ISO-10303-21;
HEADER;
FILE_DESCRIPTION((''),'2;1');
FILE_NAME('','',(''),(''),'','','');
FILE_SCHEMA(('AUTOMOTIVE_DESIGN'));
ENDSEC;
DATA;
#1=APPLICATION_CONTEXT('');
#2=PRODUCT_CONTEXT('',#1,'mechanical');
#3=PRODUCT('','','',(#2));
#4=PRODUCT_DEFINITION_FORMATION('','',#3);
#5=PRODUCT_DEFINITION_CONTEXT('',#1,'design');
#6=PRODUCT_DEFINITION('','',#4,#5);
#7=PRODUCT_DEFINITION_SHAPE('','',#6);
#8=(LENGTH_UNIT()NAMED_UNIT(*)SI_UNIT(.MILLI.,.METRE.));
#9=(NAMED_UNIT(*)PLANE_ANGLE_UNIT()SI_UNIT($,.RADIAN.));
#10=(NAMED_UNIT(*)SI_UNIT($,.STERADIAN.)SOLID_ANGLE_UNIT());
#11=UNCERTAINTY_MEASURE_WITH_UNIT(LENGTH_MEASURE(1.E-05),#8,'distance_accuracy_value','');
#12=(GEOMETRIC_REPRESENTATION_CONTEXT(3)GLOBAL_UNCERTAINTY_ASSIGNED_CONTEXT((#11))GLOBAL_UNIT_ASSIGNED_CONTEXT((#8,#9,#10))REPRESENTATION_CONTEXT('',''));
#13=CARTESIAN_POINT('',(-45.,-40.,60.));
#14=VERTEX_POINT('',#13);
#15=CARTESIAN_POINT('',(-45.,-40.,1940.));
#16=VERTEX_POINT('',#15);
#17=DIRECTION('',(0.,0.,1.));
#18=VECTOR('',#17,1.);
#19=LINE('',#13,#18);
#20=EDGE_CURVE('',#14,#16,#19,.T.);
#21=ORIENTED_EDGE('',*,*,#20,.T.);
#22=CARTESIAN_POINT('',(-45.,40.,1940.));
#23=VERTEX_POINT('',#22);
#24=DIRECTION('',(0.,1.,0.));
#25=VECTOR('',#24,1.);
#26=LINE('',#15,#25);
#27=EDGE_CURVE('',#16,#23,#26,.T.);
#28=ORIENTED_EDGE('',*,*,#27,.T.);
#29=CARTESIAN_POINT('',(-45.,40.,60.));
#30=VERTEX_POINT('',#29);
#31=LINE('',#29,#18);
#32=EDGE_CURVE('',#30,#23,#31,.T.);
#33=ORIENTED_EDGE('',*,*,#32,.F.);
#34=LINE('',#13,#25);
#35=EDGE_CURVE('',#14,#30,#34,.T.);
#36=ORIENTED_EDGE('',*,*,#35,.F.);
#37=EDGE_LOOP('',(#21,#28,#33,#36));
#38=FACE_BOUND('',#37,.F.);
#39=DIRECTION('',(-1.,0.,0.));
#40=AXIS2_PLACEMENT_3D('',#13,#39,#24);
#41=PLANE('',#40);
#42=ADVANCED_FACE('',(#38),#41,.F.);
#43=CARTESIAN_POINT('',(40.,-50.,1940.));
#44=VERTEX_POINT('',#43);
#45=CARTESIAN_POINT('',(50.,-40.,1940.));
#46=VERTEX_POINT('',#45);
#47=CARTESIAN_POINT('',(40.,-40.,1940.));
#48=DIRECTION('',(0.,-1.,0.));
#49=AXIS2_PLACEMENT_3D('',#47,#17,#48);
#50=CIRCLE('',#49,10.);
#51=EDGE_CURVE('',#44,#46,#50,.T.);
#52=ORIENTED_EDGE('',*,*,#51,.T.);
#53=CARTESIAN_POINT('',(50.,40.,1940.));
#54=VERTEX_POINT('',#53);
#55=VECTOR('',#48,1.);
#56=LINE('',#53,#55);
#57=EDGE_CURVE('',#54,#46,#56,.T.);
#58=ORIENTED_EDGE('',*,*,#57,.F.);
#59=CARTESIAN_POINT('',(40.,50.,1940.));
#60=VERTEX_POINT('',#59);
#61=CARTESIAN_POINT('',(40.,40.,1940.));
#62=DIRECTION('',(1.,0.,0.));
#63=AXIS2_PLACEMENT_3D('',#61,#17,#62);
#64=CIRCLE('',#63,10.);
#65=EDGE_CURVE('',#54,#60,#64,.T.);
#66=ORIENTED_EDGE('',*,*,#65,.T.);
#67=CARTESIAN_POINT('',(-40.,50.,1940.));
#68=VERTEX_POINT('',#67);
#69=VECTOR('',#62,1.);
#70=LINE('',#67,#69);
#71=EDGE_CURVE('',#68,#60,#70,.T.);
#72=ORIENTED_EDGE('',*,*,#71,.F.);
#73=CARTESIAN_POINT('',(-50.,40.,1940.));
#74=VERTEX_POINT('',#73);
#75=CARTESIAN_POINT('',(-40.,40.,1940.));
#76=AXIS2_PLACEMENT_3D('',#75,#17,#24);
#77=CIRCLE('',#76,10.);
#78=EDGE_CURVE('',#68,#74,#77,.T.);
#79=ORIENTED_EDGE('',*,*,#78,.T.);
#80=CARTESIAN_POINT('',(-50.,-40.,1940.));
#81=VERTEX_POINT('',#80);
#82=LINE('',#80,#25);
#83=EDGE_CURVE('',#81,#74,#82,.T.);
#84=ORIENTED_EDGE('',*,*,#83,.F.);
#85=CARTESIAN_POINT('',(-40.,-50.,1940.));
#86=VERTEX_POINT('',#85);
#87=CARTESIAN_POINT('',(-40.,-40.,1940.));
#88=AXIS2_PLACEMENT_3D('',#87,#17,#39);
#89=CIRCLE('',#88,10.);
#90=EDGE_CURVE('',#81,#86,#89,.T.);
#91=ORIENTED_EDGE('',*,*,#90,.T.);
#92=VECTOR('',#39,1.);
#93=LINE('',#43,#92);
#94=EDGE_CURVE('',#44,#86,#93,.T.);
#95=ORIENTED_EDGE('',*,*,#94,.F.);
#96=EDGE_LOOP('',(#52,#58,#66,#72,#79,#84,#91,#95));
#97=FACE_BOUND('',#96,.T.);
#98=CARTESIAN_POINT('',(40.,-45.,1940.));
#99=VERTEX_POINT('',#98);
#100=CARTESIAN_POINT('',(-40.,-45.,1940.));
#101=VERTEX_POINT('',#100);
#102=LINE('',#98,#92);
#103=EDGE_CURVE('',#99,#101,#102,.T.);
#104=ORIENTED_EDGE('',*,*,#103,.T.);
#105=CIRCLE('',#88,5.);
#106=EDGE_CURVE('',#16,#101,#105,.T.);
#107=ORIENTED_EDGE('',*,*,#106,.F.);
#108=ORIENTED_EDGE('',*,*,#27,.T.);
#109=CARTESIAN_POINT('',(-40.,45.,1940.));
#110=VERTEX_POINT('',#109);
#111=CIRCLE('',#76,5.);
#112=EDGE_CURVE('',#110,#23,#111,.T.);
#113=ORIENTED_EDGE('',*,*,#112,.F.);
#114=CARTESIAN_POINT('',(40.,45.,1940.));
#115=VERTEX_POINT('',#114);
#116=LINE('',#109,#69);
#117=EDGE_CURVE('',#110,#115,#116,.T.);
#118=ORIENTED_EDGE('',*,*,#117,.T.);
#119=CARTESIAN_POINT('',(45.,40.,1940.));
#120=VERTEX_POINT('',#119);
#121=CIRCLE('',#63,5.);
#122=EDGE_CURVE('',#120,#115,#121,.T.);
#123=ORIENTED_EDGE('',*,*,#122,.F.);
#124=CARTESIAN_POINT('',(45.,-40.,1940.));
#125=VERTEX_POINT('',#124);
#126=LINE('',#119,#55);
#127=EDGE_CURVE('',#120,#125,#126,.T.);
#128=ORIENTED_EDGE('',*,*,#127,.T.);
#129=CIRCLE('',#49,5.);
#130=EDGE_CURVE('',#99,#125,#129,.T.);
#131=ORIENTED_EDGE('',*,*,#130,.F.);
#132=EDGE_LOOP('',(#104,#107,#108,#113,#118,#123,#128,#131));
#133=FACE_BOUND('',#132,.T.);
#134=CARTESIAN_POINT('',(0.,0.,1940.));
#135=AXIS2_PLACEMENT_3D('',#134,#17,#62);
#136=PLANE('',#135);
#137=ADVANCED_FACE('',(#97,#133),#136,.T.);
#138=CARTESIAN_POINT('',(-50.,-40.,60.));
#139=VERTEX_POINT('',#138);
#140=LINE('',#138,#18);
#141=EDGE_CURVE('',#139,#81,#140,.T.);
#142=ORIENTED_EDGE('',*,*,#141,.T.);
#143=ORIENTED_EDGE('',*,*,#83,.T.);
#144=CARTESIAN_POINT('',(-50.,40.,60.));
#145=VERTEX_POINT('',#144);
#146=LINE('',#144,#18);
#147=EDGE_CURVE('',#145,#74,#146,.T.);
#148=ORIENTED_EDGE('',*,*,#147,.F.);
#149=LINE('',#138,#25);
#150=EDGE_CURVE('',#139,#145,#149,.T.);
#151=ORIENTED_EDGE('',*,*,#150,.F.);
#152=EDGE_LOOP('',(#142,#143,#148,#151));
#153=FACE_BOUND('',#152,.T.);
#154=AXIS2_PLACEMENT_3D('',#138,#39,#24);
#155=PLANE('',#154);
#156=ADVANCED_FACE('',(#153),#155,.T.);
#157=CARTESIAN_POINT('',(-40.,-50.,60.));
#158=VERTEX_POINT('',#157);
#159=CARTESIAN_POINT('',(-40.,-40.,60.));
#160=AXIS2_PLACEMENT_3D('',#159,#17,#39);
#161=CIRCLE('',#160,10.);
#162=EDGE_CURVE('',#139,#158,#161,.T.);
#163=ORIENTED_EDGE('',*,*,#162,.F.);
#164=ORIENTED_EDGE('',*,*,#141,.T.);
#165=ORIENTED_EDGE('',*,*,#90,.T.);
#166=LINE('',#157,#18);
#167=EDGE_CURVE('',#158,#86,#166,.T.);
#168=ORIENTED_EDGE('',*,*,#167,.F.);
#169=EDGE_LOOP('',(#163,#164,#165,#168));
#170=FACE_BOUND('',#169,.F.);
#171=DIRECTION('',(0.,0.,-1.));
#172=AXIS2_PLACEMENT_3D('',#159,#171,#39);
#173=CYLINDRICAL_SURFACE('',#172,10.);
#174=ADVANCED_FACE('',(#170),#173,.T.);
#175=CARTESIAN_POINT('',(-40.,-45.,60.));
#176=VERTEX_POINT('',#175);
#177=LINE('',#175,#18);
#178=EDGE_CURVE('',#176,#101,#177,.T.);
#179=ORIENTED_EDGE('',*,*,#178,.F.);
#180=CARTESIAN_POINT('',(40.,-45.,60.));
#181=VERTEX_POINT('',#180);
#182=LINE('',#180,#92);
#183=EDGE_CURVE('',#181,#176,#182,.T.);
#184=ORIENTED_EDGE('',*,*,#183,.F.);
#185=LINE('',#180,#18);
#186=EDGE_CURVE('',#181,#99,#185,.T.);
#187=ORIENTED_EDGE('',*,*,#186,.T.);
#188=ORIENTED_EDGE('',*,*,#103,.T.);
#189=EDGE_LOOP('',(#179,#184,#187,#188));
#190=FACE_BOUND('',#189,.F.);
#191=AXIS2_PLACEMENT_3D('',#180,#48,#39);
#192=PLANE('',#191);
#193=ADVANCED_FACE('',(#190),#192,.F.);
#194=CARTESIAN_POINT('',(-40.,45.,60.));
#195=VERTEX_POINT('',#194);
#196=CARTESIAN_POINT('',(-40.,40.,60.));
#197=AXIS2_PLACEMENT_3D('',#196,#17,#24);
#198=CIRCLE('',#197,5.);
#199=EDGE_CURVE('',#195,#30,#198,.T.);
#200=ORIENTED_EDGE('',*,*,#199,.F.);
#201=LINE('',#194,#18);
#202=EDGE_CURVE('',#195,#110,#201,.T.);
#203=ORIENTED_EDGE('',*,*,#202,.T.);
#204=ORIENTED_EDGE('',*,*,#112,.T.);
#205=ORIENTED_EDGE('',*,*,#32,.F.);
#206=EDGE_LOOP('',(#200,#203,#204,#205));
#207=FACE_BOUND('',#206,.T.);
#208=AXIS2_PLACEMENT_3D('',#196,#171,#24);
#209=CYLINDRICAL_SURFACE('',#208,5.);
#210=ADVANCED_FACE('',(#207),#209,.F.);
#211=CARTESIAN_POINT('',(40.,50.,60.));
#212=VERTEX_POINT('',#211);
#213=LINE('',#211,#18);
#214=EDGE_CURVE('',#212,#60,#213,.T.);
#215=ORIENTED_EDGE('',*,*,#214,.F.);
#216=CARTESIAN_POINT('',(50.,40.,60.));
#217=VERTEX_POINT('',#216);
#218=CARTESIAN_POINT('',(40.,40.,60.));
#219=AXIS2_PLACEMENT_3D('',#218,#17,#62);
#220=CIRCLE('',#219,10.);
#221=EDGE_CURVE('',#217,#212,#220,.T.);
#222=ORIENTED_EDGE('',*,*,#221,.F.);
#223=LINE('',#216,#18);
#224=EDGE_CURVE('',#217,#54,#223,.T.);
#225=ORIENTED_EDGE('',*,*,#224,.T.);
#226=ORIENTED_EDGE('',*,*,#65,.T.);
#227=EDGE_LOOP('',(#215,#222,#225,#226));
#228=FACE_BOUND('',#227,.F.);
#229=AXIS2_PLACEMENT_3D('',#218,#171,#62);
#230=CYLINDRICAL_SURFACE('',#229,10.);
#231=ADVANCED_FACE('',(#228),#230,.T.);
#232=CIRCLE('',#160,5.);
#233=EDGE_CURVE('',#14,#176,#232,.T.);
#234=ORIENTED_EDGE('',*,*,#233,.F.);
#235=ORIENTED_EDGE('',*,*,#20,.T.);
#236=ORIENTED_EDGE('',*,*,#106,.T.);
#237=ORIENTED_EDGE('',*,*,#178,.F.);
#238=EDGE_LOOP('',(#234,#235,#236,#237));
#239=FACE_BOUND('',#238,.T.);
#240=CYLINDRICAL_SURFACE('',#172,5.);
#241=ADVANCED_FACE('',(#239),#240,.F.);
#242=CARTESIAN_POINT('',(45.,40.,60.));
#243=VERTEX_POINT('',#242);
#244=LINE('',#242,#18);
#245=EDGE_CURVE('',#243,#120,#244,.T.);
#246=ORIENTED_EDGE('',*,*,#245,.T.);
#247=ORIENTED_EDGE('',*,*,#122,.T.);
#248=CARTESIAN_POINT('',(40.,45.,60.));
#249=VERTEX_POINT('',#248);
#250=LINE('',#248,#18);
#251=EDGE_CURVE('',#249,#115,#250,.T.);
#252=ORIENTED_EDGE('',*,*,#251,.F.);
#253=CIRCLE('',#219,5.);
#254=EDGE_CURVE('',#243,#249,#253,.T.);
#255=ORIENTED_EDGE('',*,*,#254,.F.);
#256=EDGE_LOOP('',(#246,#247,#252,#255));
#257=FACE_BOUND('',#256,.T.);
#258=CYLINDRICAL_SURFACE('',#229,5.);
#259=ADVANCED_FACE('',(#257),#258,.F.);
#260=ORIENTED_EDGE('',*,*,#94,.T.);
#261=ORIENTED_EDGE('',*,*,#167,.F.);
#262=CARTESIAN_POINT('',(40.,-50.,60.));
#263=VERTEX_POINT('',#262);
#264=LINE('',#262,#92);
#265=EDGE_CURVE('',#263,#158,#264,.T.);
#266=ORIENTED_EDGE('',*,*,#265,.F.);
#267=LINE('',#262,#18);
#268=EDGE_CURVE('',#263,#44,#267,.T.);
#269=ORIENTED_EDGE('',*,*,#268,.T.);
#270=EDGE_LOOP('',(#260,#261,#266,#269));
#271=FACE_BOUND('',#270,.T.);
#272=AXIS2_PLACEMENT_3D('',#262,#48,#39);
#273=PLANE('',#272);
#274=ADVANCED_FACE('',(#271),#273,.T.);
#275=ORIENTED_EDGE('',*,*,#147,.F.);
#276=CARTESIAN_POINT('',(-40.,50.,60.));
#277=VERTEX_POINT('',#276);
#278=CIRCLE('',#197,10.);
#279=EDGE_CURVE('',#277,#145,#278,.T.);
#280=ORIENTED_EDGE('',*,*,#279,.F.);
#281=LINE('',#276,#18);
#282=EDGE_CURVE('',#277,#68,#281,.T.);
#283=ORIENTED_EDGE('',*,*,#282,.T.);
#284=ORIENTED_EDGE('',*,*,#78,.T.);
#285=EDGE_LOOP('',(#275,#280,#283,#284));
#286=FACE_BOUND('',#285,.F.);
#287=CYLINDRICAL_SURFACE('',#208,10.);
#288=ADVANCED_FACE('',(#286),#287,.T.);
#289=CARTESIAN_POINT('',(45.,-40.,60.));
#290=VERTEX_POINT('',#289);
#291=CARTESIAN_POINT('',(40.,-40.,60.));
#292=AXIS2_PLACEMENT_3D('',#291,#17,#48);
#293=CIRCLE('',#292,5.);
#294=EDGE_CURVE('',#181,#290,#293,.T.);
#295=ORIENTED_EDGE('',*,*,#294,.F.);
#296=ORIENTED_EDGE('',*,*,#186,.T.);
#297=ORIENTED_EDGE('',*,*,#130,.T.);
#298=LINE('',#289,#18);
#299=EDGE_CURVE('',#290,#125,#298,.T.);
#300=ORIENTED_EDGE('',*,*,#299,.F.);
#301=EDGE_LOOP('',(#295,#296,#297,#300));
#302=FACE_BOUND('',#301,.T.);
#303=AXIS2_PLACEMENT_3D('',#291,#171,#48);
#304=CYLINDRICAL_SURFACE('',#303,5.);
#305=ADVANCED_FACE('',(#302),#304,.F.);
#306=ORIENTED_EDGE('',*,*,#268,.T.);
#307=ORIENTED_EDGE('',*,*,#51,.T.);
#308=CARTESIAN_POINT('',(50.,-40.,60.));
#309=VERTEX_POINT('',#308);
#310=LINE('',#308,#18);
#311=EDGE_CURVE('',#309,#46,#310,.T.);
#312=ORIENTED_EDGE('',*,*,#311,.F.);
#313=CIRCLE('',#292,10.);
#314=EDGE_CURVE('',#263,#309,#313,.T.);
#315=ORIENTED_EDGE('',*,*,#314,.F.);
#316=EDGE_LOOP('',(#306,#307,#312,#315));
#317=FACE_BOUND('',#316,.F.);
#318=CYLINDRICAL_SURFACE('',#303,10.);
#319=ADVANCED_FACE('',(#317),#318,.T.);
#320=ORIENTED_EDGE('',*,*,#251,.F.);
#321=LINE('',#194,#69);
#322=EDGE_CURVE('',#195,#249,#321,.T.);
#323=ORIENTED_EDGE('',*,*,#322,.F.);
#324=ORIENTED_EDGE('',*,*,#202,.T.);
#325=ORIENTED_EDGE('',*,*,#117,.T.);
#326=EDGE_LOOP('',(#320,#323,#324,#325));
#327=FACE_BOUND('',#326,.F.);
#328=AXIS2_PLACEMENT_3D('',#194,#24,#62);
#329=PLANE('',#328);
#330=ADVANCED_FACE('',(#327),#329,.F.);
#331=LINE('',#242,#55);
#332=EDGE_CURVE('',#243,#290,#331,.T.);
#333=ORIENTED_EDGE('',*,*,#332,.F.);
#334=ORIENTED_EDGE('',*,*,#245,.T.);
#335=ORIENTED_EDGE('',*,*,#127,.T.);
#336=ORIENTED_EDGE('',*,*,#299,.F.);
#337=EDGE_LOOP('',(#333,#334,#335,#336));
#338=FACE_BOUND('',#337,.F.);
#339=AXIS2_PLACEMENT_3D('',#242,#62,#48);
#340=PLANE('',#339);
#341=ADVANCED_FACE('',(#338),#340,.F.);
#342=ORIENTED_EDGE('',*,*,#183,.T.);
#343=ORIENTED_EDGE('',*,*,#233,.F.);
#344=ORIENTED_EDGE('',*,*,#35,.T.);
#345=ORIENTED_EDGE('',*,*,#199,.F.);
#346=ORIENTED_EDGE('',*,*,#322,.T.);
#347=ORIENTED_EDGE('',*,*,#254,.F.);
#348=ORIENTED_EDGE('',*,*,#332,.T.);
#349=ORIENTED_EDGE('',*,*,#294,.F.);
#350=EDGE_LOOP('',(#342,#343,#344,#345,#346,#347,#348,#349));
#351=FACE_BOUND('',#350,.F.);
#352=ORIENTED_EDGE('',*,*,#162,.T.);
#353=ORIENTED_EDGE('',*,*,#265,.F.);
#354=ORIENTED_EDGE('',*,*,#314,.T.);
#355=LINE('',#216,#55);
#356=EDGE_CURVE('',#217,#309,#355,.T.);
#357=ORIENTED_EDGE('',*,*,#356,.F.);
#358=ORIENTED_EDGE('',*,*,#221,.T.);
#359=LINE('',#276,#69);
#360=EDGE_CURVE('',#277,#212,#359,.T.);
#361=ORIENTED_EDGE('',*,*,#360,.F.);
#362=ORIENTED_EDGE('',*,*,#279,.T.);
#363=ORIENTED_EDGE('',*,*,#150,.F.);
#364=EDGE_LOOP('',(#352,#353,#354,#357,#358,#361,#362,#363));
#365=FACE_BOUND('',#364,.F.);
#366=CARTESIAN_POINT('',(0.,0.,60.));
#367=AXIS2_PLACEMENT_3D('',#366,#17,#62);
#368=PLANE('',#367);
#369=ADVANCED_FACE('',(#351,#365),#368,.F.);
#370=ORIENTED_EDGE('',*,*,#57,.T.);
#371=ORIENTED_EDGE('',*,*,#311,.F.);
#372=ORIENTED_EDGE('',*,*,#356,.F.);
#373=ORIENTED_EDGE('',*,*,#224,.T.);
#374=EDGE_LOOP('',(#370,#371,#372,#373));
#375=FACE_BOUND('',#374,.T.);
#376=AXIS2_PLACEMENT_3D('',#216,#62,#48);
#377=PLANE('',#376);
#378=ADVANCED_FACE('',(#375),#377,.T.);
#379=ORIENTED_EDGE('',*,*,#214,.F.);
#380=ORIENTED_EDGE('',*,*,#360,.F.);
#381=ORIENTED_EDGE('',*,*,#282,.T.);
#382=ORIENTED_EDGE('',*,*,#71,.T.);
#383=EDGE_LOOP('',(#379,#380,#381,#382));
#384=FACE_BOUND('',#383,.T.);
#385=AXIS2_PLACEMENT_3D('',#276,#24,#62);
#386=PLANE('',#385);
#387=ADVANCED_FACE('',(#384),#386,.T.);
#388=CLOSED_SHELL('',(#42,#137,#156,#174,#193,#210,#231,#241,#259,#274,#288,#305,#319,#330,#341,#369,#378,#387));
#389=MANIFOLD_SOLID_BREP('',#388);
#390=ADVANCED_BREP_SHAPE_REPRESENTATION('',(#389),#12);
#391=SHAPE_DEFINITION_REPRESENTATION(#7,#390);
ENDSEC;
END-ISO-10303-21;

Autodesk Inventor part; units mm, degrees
ref_plane "Start plane" through (0, 0, 60) normal (0, 0, 1) x (1, 0, 0)
ref_plane "End plane" through (0, 0, 1940) normal (0, 0, 1) x (1, 0, 0)
sketch "Sketch" plane through (0, 0, 0) normal (0, 0, 1) x (1, 0, 0)
  line L0 (-50, -40) -> (-50, 40)
  line L1 (-40, 50) -> (40, 50)
  line L2 (50, 40) -> (50, -40)
  line L3 (40, -50) -> (-40, -50)
  arc A0 (-50, -40) -> (-40, -50) centre (-40, -40) ccw
  arc A1 (50, 40) -> (40, 50) centre (40, 40) ccw
  arc A2 (-40, 50) -> (-50, 40) centre (-40, 40) ccw
  arc A3 (40, -50) -> (50, -40) centre (40, -40) ccw
  arc A4 (-40, 45) -> (-45, 40) centre (-40, 40) ccw
  line L4 (-40, 45) -> (40, 45)
  arc A5 (45, 40) -> (40, 45) centre (40, 40) ccw
  line L5 (45, 40) -> (45, -40)
  arc A6 (40, -45) -> (45, -40) centre (40, -40) ccw
  line L6 (40, -45) -> (-40, -45)
  arc A7 (-45, -40) -> (-40, -45) centre (-40, -40) ccw
  line L7 (-45, -40) -> (-45, 40)
  line L8 (0, 72.8995) -> (0, -72.8995) construction
  line L9 (-72.8995, 0) -> (72.8995, 0) construction
  dimension "d7" = 10
  dimension "d9" = 100
  dimension "d11" = 100
  dimension "d12" = 5
  dimension "d15" = 50
  dimension "d16" = 50
extrude "Body" add sketch "Sketch" along normal up to surface (1880 mm away) from surface at 60
sketch "Sketch3" plane through (0, 0, 0) normal (0, 0, 1) x (1, 0, 0)
  line L0 (0, 0) -> (10, 0)
ref_plane "Work Plane3" through (0, 0, 0) normal (0, -1, 0) x (1, 0, 0)
ref_plane "Work Plane4" through (-50, -150, 1940) normal (0, 0, 1) x (1, 0, 0)
split "Split1" plane through (-50, -150, 1940) removes the side toward (0, 0, 1)
ref_plane "Work Plane5" through (50, -150, 60) normal (0, 0, -1) x (-1, 0, 0)
split "Split2" plane through (50, -150, 60) removes the side toward (0, 0, -1)
sketch "Sketch4" plane through (0, 0, 0) normal (0, -1, 0) x (1, 0, 0)
  line L0 (-2, 60) -> (12, 60) projected
  line L1 (-2, 1940) -> (12, 1940) projected
  dimension "d18" = 1880
equation "\"d7\" = G_IR"
equation "\"d9\" = G_W"
equation "\"d11\" = G_H"
equation "\"d12\" = G_T"
equation "\"d15\" = 0.5 * d9"
equation "\"d16\" = 0.5 * d11"
equation "\"d3\" = G_L"
equation "\"G_W\" = 100"
equation "\"G_H\" = 100"
equation "\"G_T\" = 5"
equation "\"G_IR\" = 10"
equation "\"G_L\" = d18"
properties part number "ISO 10799-2 - 100x100x5 - 1880" material "Steel, Mild"
